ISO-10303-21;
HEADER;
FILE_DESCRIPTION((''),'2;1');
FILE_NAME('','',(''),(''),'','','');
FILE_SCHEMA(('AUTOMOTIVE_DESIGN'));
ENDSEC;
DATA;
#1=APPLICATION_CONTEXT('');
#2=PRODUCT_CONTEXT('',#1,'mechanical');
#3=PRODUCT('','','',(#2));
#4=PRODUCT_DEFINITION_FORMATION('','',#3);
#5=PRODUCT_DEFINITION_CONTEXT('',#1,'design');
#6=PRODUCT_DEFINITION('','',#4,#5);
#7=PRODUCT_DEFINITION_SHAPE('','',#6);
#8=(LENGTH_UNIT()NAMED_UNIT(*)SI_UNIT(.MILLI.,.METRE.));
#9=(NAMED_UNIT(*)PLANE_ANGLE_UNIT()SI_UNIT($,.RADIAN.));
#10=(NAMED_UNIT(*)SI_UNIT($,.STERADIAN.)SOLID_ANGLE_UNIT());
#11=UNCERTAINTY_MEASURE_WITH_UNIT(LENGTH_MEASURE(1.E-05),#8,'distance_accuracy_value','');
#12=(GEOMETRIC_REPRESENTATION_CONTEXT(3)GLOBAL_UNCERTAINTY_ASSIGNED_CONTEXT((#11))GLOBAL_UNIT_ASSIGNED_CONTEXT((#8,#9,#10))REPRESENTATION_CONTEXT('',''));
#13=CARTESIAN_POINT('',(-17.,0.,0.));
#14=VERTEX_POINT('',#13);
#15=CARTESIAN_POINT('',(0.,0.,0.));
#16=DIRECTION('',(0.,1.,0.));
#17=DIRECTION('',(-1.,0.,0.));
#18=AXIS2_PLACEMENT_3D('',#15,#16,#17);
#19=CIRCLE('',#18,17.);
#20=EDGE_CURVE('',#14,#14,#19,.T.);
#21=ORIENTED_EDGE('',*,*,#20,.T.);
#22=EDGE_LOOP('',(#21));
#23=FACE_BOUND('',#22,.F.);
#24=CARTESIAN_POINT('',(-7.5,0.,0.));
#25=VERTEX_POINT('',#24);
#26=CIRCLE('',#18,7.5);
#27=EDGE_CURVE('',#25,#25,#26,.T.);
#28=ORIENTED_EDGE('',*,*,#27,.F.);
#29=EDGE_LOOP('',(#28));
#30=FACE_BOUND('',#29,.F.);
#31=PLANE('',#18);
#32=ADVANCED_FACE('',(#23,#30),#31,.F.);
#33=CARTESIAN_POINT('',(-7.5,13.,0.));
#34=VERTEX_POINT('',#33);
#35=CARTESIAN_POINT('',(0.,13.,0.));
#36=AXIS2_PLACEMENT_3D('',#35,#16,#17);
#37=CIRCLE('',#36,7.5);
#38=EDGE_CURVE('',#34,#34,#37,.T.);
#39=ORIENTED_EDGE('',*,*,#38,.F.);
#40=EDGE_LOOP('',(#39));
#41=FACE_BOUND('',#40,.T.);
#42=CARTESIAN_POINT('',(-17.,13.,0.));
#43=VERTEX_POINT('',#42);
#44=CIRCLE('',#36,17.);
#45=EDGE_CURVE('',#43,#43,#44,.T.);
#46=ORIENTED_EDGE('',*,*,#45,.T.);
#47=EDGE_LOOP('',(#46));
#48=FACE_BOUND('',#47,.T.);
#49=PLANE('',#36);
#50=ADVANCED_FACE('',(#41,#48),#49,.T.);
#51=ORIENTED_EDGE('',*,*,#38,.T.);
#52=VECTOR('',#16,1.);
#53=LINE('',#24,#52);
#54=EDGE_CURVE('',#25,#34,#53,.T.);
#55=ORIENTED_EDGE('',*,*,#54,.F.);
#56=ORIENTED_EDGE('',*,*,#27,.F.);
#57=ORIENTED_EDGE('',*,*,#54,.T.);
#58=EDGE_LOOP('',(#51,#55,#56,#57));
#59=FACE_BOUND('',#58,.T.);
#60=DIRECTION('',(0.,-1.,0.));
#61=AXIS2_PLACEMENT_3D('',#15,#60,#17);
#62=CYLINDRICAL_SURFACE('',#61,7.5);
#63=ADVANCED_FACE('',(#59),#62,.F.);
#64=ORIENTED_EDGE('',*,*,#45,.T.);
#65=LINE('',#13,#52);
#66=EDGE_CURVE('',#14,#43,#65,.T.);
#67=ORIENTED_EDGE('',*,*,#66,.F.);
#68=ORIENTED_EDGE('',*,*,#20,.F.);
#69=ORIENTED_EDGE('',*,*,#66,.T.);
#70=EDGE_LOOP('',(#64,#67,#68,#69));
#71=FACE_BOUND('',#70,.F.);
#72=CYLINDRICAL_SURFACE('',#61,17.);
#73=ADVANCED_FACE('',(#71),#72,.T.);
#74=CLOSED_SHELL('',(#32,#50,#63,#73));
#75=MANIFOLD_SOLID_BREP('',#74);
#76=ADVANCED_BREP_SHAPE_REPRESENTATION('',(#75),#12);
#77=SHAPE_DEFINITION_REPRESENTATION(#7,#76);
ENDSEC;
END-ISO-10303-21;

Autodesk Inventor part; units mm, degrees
ref_plane "YZ Plane" through (0, 0, 0) normal (1, 0, 0) x (0, 1, 0)
ref_plane "XZ Plane" through (0, 0, 0) normal (0, 1, 0) x (-1, 0, 0)
ref_plane "XY Plane" through (0, 0, 0) normal (0, 0, 1) x (1, 0, 0)
sketch "Sketch1" plane through (0, 0, 0) normal (0, 1, 0) x (-1, 0, 0)
  circle A0 centre (0, 0) radius 7.5
  circle A1 centre (0, 0) radius 17
  dimension "d0" = 15
  dimension "d1" = 34
extrude "Extrusion1" add sketch "Sketch1" along normal blind 13
properties part number "ShaftManschette15mmV1"
